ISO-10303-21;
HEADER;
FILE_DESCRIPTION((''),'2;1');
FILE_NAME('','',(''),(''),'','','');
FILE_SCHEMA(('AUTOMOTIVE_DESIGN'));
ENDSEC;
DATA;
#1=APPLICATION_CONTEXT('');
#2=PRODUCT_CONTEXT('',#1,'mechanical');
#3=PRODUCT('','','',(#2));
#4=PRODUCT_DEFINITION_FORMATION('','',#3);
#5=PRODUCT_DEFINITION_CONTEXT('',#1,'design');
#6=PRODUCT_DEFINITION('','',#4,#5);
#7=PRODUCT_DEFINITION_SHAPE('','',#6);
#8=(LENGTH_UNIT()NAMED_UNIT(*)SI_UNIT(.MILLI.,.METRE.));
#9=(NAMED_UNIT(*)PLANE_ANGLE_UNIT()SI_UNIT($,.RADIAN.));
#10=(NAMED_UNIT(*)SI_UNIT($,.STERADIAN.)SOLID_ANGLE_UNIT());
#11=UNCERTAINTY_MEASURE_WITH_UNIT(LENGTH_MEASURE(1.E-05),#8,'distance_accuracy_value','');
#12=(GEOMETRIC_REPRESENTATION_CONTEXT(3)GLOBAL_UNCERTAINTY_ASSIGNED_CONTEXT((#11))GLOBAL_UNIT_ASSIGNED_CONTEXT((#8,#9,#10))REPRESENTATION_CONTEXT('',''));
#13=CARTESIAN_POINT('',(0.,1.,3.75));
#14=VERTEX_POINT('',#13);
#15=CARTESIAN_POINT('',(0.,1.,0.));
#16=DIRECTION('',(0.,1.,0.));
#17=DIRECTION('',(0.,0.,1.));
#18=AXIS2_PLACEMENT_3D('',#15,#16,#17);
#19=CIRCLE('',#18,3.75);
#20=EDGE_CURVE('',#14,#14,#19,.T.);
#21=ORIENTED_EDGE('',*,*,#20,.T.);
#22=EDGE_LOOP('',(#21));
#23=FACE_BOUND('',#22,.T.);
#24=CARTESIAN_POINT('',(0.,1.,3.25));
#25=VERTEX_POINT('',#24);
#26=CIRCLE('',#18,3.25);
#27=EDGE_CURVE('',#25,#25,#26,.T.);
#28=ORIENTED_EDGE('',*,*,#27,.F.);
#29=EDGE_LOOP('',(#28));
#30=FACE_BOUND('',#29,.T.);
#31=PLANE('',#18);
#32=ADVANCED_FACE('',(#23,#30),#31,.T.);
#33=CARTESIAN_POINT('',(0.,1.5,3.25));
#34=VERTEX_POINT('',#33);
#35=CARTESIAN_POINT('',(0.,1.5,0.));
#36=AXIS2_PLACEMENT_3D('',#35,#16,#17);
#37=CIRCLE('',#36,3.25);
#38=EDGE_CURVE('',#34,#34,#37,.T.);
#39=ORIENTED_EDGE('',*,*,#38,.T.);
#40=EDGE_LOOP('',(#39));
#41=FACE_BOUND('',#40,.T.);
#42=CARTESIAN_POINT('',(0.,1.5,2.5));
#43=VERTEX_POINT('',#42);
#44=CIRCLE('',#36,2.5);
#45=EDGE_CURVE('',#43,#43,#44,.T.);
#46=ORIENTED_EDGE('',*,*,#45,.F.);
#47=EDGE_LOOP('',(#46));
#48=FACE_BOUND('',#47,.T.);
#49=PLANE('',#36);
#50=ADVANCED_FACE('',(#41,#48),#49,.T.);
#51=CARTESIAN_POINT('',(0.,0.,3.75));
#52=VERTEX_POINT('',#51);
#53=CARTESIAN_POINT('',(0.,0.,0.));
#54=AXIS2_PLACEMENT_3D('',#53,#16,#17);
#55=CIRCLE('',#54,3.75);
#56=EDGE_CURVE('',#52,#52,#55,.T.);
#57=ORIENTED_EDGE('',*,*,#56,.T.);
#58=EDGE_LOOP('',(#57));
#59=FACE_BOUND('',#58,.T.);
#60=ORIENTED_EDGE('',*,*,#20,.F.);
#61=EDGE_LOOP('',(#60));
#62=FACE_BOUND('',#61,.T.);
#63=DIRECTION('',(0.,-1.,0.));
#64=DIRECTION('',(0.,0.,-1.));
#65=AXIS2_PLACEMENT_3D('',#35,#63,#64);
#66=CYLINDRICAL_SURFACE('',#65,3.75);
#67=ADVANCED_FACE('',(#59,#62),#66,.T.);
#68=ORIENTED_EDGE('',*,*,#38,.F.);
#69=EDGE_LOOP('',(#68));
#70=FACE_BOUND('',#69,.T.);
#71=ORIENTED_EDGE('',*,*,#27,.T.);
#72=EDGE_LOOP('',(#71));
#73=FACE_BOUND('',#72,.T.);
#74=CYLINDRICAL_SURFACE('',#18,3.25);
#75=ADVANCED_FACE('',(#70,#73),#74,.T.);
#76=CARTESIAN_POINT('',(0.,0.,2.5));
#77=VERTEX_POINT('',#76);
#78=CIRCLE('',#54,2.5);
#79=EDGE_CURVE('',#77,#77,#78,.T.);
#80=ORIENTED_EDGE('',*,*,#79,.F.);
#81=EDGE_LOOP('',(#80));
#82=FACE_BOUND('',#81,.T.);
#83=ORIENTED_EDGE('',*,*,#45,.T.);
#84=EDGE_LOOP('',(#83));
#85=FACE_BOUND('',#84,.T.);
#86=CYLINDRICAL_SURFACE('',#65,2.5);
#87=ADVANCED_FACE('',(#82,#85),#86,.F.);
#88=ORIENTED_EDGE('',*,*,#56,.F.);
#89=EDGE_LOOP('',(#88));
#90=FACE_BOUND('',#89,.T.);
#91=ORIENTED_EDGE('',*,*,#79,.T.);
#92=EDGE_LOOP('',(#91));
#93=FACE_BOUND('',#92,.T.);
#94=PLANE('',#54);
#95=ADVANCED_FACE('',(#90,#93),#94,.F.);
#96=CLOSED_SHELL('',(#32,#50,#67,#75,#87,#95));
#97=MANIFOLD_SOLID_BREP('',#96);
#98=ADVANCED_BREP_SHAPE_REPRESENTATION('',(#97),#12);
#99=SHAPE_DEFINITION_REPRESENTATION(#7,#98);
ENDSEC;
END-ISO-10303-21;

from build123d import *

# Parameters (mm, degrees)
SKETCH2_R           = 3.75
SKETCH2_R_2         = 2.5
BOSS_EXTRUDE1_DEPTH = 1.5
SKETCH3_R           = 3.75
SKETCH3_R_2         = 3.25
CUT_EXTRUDE1_DEPTH  = 0.5


with BuildPart() as part:
    # Sketch2 → Boss-Extrude1 (new body)
    with BuildSketch(Plane(origin=(0, 0, 0), x_dir=(1, 0, 0), z_dir=(0, 1, 0))):
        Circle(SKETCH2_R)
        Circle(SKETCH2_R_2, mode=Mode.SUBTRACT)
    extrude(amount=BOSS_EXTRUDE1_DEPTH)

    # Sketch3 → Cut-Extrude1 (cut)
    with BuildSketch(Plane(origin=(0, 1.5, 0), x_dir=(1, 0, 0), z_dir=(0, 1, 0))):
        Circle(SKETCH3_R)
        Circle(SKETCH3_R_2, mode=Mode.SUBTRACT)
    extrude(amount=-CUT_EXTRUDE1_DEPTH, mode=Mode.SUBTRACT)


solid = part.part
